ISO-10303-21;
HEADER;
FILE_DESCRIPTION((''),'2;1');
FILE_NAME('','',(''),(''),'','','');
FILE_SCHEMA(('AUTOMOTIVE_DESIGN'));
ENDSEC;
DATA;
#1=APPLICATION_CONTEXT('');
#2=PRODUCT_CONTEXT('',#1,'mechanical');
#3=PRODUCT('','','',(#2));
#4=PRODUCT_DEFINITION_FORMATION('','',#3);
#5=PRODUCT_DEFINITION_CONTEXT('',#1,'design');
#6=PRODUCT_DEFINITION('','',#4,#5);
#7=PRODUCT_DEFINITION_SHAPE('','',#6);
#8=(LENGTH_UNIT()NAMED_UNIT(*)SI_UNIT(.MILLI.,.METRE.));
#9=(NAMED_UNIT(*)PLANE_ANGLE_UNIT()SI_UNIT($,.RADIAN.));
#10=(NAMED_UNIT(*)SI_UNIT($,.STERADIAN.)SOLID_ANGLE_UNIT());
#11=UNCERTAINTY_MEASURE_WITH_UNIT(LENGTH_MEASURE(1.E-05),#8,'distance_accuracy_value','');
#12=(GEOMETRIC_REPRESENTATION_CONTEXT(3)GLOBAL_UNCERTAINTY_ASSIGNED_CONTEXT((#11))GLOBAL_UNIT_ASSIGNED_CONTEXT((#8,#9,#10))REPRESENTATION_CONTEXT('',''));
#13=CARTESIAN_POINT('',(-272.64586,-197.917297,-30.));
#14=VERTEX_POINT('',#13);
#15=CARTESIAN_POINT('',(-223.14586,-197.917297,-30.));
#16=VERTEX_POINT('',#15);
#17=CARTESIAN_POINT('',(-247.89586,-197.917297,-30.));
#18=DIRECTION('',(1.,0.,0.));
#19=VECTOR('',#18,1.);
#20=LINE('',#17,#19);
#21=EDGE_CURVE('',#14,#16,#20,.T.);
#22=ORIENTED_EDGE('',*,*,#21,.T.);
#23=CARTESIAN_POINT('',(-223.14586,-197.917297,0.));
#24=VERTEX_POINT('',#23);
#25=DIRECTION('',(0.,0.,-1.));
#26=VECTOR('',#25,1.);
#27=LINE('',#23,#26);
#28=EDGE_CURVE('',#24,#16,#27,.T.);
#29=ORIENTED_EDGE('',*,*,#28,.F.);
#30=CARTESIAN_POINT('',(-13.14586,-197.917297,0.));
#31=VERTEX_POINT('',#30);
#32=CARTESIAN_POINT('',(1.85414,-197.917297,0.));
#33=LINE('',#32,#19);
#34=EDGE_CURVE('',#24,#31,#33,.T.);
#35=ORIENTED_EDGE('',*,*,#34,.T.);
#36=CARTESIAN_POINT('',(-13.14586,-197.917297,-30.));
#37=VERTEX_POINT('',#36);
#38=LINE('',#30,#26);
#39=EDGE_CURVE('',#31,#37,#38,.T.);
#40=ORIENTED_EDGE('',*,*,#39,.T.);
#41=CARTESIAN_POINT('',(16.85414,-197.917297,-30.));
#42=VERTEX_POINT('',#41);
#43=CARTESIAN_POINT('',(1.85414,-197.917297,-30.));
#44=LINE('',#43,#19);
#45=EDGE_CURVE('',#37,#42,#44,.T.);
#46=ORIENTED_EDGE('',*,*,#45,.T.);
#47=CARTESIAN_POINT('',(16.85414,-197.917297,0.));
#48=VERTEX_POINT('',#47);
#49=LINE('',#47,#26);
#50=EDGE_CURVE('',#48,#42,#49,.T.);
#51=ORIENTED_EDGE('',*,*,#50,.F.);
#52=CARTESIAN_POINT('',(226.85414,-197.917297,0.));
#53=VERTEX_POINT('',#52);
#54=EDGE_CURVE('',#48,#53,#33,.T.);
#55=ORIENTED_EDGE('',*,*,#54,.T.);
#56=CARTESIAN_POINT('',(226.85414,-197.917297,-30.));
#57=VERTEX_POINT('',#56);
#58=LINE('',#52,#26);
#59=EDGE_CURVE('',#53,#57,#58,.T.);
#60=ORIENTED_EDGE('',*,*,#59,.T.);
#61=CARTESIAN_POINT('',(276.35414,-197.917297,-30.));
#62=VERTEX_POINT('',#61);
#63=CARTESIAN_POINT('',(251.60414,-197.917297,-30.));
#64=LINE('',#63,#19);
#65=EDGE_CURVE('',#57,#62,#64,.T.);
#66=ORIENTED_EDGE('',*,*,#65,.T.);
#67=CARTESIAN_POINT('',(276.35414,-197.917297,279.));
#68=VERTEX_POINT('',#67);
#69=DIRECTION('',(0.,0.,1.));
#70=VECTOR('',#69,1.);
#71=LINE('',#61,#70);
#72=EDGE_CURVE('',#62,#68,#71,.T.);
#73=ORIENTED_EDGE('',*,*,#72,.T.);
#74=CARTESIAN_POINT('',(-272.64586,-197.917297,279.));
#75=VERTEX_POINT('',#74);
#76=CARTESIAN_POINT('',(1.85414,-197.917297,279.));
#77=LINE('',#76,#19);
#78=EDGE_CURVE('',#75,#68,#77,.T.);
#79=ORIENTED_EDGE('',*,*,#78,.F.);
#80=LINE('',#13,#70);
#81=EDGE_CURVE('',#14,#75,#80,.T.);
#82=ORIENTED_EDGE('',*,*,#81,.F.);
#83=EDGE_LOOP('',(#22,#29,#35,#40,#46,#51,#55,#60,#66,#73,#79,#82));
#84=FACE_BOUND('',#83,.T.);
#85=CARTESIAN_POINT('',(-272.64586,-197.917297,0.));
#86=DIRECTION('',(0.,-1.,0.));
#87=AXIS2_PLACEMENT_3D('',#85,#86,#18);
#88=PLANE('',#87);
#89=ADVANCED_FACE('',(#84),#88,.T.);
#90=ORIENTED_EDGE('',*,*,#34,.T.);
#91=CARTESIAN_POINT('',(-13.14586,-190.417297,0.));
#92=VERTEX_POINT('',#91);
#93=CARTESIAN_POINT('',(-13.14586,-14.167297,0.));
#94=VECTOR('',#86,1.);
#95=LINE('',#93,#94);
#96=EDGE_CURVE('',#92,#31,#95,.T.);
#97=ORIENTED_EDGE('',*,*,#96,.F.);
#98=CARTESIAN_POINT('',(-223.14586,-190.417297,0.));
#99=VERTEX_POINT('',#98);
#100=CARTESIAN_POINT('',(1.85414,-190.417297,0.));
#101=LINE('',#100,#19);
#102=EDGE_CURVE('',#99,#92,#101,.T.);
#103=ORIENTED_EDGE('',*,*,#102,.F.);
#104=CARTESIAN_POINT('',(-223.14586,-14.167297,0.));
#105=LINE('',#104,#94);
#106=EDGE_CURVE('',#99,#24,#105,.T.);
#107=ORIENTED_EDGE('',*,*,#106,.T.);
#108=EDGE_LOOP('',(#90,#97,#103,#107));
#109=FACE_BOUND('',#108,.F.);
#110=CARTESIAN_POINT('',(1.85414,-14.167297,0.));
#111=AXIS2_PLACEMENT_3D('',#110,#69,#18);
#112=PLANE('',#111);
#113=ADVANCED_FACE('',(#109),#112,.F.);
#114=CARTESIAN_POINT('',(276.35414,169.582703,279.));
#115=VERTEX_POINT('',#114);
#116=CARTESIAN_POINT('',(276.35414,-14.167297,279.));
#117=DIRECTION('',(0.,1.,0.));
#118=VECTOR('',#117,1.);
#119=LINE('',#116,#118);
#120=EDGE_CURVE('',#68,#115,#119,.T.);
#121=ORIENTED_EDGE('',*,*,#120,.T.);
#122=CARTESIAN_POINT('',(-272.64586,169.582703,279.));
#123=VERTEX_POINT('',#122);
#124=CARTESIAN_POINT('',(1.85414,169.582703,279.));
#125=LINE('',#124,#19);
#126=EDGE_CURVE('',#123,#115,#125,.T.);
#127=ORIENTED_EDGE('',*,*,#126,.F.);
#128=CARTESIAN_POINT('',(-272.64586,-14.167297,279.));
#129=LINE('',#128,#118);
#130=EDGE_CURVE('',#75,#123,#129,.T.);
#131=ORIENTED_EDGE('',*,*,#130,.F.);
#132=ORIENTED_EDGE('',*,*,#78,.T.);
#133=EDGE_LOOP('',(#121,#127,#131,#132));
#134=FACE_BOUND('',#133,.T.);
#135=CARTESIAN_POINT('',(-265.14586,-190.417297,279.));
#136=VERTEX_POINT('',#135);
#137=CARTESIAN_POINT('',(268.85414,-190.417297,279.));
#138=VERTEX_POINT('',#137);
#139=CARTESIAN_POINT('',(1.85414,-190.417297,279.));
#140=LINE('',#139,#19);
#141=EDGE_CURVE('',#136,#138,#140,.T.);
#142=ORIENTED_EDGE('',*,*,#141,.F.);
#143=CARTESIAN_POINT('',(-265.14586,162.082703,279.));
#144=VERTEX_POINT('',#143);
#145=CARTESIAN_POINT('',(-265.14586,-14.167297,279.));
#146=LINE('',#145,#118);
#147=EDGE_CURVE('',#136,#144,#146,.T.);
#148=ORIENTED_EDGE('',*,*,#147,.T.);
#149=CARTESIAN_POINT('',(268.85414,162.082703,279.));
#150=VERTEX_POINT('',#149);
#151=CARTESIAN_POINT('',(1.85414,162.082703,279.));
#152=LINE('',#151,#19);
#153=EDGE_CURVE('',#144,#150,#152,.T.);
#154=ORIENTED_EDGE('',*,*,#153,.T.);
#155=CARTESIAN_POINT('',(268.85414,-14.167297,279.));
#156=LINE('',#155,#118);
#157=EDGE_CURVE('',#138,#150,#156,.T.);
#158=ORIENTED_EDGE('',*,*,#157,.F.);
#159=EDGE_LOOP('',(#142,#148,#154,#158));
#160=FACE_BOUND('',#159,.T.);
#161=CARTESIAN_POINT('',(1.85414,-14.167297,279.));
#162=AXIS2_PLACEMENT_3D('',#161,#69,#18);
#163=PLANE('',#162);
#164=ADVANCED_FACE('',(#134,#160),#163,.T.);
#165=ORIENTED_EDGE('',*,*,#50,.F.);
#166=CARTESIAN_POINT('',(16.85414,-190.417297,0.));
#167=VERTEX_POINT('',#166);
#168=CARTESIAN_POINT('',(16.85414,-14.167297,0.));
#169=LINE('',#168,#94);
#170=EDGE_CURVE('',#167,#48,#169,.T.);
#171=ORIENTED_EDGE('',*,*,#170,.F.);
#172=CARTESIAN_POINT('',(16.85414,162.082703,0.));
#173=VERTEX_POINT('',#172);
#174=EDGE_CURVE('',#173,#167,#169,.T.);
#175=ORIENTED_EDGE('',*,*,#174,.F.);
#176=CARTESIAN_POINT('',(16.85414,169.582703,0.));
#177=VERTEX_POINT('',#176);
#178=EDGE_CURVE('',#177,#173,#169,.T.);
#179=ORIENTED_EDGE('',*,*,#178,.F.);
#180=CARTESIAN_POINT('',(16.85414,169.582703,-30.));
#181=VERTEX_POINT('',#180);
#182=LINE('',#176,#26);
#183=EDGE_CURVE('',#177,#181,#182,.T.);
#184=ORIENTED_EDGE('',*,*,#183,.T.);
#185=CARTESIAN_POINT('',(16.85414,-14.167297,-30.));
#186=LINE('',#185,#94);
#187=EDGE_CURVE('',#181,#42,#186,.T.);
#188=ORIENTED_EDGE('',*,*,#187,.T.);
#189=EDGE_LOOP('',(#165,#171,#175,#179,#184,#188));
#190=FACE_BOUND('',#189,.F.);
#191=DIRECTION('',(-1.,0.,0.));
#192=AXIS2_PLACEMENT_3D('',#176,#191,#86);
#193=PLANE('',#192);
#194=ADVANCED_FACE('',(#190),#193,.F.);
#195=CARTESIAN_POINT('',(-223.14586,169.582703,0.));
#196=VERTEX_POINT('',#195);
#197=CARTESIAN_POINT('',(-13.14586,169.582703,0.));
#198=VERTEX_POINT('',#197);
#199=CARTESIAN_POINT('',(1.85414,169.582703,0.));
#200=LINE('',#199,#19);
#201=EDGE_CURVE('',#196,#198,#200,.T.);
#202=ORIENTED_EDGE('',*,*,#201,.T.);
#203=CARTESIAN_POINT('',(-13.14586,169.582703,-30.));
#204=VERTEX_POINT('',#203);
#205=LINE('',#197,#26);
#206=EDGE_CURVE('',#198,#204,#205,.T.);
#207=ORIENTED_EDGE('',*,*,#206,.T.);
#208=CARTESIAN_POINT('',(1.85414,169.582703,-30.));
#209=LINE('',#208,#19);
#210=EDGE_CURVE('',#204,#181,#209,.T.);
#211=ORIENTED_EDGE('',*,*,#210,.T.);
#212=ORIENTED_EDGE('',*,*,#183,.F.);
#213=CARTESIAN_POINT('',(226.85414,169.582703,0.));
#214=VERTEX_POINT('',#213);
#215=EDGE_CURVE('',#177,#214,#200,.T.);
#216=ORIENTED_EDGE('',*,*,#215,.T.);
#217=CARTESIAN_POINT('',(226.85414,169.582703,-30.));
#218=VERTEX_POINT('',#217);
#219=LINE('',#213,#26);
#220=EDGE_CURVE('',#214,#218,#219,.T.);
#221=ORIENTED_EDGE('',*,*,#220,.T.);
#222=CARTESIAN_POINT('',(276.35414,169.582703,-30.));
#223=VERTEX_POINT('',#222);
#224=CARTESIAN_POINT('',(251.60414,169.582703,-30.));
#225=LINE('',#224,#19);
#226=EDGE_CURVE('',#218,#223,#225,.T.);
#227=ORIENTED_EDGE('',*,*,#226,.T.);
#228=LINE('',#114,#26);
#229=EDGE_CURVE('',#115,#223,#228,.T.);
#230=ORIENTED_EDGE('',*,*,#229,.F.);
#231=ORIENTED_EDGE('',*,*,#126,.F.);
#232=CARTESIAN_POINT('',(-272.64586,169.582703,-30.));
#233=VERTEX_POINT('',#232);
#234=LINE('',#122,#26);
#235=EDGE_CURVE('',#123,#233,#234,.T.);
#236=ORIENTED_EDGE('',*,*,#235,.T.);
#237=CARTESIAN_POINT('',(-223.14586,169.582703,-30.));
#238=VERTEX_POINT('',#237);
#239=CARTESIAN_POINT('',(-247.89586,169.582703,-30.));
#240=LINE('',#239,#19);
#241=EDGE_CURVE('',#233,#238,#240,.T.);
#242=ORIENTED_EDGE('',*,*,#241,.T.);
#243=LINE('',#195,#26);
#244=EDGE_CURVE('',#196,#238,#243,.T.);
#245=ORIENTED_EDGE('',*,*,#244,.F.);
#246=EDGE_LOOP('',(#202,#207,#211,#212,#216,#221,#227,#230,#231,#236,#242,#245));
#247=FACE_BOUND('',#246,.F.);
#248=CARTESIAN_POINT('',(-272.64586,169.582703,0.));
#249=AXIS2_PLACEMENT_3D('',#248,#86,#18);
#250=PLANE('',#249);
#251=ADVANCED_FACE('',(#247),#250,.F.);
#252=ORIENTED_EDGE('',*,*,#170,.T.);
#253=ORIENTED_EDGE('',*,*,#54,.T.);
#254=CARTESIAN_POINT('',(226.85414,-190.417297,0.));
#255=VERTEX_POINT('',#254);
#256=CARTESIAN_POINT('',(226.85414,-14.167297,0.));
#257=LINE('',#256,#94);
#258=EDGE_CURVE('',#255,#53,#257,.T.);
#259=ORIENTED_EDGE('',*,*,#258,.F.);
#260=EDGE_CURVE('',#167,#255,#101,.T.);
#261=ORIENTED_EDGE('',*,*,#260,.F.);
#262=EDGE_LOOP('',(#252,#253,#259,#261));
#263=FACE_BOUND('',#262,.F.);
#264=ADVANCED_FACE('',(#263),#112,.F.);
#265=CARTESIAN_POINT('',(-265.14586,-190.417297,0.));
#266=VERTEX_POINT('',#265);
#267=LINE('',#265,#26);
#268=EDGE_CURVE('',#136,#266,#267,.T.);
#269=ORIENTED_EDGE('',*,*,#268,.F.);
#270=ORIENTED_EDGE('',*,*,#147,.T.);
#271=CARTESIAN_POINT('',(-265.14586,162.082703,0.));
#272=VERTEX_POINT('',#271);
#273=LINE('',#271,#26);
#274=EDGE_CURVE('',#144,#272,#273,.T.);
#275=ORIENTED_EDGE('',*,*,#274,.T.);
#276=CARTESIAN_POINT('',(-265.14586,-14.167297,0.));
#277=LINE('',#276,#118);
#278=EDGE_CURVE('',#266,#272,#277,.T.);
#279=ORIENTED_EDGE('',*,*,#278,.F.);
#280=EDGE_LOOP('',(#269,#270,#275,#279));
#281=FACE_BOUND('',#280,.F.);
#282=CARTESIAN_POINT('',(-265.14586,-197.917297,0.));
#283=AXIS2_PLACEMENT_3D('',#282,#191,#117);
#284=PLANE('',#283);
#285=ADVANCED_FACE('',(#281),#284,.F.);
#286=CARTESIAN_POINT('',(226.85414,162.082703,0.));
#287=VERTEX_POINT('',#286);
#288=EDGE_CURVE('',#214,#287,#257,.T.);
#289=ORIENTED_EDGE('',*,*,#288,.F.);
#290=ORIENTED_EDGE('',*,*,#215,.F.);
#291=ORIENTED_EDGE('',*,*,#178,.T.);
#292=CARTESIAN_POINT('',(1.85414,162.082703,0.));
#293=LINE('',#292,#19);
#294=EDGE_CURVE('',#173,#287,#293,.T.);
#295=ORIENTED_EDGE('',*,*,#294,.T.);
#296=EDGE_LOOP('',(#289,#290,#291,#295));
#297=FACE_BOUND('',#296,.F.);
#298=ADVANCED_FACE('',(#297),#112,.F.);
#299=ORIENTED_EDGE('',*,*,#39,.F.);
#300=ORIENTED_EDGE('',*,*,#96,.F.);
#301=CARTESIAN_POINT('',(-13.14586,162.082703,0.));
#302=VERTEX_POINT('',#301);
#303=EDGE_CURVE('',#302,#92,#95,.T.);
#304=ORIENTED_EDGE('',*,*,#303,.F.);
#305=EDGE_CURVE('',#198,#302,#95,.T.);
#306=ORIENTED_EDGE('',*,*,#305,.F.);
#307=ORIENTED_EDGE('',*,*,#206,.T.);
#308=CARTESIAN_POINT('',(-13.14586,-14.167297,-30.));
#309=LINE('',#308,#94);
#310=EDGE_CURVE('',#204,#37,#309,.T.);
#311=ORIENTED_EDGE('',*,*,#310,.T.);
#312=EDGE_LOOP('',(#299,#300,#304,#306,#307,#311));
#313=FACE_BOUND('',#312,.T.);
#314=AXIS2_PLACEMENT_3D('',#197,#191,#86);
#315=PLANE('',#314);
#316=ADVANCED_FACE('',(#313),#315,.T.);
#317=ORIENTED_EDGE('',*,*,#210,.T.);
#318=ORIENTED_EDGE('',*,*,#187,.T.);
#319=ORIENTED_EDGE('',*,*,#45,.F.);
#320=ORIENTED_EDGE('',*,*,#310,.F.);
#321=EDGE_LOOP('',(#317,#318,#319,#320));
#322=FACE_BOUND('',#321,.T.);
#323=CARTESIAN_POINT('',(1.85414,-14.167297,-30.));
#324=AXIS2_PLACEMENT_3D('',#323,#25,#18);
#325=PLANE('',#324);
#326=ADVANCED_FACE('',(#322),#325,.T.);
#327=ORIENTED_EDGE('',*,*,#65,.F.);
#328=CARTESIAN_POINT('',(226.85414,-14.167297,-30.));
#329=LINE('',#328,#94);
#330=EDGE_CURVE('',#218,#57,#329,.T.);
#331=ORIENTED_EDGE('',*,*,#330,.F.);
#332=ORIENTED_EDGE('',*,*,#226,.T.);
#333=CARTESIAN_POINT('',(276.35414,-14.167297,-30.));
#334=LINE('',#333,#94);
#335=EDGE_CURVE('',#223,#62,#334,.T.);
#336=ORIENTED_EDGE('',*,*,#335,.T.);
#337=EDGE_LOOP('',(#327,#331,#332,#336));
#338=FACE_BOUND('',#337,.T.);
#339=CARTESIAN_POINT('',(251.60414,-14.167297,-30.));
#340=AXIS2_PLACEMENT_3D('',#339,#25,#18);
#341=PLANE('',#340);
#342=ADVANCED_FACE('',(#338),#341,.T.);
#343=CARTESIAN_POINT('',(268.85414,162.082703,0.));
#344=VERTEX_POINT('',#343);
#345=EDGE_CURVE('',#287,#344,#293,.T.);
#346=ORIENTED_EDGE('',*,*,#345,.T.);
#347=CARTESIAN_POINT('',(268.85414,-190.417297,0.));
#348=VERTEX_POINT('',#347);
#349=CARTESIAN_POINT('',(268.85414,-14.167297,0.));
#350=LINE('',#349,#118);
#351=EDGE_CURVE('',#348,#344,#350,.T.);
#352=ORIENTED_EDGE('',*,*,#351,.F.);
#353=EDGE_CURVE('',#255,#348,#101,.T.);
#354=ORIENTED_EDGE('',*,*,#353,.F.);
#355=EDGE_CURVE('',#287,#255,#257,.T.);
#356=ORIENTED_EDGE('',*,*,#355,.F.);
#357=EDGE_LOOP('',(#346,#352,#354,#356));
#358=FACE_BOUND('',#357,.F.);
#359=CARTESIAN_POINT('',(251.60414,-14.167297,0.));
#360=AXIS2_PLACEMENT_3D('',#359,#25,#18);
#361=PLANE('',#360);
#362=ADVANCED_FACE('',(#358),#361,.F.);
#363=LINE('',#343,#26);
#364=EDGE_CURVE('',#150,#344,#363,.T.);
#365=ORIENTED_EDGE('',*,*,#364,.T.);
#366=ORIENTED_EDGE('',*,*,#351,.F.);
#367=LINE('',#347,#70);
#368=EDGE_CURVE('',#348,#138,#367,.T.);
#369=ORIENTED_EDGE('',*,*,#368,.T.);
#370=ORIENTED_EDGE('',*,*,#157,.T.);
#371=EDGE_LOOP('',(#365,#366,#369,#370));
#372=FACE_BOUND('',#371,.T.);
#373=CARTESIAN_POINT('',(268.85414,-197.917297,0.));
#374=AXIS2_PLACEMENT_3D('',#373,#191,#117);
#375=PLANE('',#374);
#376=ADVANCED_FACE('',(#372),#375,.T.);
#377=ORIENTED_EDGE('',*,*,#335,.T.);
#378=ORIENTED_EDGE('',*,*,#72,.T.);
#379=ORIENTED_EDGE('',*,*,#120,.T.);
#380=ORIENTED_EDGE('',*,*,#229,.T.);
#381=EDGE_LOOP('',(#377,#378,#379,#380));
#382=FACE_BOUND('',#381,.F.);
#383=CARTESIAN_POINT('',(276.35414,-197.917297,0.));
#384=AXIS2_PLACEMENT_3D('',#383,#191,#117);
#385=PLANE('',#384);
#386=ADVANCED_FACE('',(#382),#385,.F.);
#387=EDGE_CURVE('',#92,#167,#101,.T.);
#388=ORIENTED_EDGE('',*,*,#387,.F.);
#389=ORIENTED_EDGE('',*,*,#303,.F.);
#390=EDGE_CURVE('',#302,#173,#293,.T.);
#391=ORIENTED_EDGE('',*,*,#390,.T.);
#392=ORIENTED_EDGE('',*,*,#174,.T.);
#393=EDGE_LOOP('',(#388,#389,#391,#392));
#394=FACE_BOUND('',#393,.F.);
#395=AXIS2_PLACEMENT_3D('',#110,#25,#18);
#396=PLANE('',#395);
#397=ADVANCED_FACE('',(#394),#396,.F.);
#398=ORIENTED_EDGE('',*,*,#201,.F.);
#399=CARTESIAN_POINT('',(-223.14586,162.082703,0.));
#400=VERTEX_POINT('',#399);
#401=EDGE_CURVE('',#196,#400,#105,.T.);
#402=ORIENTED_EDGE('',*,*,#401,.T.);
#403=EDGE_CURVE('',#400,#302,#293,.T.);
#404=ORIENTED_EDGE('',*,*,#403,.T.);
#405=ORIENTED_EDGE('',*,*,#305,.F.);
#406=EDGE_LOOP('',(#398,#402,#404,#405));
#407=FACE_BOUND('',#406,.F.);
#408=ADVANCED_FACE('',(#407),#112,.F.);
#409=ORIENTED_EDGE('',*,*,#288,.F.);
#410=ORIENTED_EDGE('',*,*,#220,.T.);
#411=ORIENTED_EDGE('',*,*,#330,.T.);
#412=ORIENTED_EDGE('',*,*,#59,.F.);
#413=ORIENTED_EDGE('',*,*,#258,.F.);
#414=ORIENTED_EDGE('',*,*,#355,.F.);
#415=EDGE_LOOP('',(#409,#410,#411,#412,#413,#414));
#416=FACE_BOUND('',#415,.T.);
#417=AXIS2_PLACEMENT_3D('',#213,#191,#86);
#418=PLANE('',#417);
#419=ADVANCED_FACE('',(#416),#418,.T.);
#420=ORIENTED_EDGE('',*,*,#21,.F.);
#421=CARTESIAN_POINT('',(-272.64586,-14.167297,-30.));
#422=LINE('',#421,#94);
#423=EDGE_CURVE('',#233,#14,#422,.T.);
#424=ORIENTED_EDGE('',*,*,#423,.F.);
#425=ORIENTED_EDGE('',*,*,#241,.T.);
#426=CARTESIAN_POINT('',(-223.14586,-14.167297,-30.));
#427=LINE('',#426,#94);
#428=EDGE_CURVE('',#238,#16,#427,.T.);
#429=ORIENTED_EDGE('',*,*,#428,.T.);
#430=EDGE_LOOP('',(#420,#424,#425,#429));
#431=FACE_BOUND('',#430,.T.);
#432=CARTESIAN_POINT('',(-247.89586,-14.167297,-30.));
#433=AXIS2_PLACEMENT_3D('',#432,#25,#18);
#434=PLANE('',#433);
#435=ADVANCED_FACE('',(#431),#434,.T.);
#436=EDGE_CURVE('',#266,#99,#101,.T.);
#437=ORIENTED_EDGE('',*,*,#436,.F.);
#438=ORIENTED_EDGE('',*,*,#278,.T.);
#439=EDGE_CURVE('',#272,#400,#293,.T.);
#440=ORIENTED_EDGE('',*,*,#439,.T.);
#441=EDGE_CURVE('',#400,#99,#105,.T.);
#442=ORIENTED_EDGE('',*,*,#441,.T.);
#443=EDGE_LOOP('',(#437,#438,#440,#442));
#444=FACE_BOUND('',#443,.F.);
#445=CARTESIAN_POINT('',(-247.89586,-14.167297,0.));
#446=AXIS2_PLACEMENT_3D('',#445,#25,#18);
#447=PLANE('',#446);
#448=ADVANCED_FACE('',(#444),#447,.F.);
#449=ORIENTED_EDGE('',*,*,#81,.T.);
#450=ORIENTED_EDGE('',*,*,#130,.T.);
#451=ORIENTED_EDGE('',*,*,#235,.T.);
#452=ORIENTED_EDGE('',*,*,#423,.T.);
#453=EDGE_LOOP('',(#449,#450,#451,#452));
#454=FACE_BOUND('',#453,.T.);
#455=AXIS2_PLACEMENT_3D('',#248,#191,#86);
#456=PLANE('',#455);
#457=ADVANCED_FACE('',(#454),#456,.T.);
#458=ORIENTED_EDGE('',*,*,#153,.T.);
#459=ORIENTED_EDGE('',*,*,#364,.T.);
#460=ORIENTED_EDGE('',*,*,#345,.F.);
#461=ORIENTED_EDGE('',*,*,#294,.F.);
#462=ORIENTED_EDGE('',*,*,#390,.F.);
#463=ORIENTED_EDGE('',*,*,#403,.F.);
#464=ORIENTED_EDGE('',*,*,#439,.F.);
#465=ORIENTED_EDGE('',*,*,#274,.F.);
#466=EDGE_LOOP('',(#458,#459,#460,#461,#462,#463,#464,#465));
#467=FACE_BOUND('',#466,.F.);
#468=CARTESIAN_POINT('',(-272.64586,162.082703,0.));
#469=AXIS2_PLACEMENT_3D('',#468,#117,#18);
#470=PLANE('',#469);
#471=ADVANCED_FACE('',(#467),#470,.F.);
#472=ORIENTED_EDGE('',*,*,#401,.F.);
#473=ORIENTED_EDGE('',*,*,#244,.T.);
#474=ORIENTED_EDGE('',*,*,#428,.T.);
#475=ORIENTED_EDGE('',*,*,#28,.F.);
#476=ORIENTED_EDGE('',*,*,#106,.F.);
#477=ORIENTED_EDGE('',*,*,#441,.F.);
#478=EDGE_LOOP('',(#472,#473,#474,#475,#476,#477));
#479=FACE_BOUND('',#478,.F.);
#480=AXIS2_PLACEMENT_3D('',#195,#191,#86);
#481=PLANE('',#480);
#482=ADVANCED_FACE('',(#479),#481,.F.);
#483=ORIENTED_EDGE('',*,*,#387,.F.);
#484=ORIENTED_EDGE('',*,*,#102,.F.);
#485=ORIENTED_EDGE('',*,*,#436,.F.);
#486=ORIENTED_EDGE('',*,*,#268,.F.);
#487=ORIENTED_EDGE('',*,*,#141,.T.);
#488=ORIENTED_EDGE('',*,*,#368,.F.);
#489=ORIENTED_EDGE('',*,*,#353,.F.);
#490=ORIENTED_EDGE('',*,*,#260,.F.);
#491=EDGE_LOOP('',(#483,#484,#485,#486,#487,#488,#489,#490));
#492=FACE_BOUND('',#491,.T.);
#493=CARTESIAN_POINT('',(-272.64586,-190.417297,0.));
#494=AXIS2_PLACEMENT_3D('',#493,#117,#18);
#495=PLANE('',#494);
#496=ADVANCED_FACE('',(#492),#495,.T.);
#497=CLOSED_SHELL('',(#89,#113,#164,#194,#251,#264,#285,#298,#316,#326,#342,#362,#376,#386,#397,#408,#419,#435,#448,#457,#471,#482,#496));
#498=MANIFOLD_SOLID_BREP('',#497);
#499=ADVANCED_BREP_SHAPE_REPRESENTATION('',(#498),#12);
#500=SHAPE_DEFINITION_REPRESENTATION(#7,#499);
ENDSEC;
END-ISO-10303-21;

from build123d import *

# Parameters (mm, degrees)
F0_W     = 549
F0_H     = 367.5
F1_DEPTH = 279
F2_T     = -7.5
F3_W     = 49.5
F3_H     = 367.5
F3_W_2   = 30
F4_DEPTH = 30


with BuildPart() as f1:
    # F0 (on Top) → F1 (new body)
    with BuildSketch(Plane.XY):
        with Locations((1.85414, -14.167297)):
            Rectangle(F0_W, F0_H)
    extrude(amount=F1_DEPTH)

    # F2
    f2_openings = [f1.faces().sort_by_distance(p)[0] for p in [
        (1.85414, -14.167297, 279),
        (1.85414, -14.167297, 0),
    ]]
    offset(amount=F2_T, openings=f2_openings)

    # F3 (on face) → F4 (join)
    with BuildSketch(Plane(origin=(0, 0, 0), x_dir=(1, 0, 0), z_dir=(0, 0, -1))):
        with Locations((-247.89586, 14.167297)):
            Rectangle(F3_W, F3_H)
        with Locations((1.85414, 14.167297)):
            Rectangle(F3_W_2, F3_H)
        with Locations((251.60414, 14.167297)):
            Rectangle(F3_W, F3_H)
    extrude(amount=F4_DEPTH)


solid = f1.part
